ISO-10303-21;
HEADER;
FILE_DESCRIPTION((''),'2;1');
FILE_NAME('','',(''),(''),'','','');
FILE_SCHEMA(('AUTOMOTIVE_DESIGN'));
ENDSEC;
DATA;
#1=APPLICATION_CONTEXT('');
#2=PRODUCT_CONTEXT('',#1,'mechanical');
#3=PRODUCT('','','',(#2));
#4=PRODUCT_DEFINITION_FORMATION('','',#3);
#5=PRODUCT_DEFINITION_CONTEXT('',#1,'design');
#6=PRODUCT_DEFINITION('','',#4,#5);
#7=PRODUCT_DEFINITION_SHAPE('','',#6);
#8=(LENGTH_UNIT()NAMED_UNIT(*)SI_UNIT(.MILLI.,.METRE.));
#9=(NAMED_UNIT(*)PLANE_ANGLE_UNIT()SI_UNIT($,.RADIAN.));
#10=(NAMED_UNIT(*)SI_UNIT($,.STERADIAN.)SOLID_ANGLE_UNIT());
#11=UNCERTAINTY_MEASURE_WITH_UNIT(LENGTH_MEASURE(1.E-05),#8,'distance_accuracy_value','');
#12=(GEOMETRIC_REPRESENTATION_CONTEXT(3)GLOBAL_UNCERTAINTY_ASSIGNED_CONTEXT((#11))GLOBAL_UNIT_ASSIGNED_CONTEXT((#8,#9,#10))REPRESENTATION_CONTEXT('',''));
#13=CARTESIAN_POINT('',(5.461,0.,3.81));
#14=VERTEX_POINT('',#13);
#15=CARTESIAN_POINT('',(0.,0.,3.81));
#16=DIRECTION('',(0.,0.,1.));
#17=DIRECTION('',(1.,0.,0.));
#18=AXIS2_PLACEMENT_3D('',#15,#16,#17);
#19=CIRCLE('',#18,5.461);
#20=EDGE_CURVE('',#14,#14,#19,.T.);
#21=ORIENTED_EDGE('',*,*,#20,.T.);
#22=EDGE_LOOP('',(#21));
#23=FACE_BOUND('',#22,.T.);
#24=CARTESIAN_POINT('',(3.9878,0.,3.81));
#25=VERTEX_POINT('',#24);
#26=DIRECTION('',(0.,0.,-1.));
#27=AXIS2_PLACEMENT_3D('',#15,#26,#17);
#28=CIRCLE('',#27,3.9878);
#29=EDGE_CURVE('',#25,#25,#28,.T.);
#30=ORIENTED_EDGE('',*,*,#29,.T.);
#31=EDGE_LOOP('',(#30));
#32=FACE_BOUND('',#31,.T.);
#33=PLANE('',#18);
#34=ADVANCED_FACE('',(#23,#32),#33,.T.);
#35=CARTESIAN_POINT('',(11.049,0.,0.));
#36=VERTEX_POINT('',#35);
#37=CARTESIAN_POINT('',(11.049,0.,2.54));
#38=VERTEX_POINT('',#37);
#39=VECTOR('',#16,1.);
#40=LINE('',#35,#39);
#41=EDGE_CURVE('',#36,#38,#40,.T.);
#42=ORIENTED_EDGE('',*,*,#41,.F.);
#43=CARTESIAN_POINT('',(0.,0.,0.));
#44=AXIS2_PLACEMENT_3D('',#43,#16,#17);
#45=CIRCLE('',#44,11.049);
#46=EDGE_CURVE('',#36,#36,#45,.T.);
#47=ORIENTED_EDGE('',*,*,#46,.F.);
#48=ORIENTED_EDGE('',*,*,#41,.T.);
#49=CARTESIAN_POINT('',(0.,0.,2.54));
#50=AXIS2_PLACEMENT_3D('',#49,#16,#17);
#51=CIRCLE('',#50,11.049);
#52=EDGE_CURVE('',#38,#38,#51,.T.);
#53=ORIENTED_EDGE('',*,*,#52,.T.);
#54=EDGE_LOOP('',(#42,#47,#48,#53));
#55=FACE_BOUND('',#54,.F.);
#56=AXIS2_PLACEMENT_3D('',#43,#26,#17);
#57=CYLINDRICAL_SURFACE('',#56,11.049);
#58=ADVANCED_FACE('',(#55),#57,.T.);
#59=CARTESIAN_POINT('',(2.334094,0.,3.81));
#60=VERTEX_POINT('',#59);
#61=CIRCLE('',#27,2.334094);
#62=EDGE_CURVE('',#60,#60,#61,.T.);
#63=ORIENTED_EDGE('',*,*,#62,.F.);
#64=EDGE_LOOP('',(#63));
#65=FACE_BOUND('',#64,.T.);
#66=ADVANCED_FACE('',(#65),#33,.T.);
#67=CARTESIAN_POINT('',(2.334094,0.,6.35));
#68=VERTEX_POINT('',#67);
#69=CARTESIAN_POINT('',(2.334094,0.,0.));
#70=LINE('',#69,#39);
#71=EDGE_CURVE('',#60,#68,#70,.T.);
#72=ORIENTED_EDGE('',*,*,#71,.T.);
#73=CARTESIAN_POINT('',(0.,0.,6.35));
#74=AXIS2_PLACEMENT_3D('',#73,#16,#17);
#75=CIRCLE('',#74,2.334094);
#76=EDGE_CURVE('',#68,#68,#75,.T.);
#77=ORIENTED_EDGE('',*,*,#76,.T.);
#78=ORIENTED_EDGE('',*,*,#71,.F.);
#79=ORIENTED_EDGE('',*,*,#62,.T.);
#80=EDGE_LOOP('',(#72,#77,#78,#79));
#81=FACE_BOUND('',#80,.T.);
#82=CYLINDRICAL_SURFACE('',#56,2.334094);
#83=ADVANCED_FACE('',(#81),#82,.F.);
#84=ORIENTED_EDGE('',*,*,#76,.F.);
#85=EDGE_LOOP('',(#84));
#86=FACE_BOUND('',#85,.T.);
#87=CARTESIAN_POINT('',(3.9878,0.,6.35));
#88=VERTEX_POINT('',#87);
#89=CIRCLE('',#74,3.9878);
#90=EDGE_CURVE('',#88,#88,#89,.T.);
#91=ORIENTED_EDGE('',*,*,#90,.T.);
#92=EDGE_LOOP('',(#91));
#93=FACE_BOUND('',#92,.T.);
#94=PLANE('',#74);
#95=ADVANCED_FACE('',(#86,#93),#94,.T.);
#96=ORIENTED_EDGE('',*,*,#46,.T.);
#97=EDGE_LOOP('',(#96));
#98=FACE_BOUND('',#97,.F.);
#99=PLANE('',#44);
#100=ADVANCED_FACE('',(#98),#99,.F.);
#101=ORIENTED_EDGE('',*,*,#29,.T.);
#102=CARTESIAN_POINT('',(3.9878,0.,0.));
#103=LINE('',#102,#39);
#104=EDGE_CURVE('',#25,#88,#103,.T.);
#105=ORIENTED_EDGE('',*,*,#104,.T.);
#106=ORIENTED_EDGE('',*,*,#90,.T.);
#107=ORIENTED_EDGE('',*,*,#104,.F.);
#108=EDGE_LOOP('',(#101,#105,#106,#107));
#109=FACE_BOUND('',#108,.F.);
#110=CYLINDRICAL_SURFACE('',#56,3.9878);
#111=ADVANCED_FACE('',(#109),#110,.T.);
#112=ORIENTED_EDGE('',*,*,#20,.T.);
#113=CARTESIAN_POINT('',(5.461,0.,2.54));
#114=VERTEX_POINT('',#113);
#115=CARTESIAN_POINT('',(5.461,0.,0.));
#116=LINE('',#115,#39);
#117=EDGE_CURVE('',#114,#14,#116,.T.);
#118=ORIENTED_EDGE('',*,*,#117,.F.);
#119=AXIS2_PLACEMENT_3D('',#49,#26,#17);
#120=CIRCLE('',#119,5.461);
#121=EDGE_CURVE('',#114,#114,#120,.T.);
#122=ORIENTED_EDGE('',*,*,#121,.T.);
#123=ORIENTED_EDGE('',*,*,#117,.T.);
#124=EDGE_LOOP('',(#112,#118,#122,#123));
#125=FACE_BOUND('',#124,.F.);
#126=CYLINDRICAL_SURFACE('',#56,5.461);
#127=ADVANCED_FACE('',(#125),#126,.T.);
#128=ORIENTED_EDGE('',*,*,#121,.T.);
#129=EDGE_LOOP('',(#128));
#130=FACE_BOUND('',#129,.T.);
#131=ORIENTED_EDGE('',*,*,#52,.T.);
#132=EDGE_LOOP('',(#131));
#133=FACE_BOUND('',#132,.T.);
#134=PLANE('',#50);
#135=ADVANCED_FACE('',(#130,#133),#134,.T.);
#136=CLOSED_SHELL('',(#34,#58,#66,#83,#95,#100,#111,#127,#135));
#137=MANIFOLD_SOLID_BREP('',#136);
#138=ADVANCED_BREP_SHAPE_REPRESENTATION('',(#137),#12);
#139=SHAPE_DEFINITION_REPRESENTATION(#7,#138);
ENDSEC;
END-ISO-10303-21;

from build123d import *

# Parameters (mm, degrees)
F0_R     = 11.049
F1_DEPTH = 2.54
F2_R     = 5.461
F3_DEPTH = 3.81
F4_R     = 3.9878
F4_R_2   = 2.334094
F5_DEPTH = 6.35


with BuildPart() as f1:
    # F0 (on Top) → F1 (new body)
    with BuildSketch(Plane.XY):
        Circle(F0_R)
    extrude(amount=F1_DEPTH)

    # F2 (on Top) → F3 (join)
    with BuildSketch(Plane.XY):
        Circle(F2_R)
    extrude(amount=F3_DEPTH)

    # F4 (on Top) → F5 (join)
    with BuildSketch(Plane.XY):
        Circle(F4_R)
        Circle(F4_R_2, mode=Mode.SUBTRACT)
    extrude(amount=F5_DEPTH)


solid = f1.part
